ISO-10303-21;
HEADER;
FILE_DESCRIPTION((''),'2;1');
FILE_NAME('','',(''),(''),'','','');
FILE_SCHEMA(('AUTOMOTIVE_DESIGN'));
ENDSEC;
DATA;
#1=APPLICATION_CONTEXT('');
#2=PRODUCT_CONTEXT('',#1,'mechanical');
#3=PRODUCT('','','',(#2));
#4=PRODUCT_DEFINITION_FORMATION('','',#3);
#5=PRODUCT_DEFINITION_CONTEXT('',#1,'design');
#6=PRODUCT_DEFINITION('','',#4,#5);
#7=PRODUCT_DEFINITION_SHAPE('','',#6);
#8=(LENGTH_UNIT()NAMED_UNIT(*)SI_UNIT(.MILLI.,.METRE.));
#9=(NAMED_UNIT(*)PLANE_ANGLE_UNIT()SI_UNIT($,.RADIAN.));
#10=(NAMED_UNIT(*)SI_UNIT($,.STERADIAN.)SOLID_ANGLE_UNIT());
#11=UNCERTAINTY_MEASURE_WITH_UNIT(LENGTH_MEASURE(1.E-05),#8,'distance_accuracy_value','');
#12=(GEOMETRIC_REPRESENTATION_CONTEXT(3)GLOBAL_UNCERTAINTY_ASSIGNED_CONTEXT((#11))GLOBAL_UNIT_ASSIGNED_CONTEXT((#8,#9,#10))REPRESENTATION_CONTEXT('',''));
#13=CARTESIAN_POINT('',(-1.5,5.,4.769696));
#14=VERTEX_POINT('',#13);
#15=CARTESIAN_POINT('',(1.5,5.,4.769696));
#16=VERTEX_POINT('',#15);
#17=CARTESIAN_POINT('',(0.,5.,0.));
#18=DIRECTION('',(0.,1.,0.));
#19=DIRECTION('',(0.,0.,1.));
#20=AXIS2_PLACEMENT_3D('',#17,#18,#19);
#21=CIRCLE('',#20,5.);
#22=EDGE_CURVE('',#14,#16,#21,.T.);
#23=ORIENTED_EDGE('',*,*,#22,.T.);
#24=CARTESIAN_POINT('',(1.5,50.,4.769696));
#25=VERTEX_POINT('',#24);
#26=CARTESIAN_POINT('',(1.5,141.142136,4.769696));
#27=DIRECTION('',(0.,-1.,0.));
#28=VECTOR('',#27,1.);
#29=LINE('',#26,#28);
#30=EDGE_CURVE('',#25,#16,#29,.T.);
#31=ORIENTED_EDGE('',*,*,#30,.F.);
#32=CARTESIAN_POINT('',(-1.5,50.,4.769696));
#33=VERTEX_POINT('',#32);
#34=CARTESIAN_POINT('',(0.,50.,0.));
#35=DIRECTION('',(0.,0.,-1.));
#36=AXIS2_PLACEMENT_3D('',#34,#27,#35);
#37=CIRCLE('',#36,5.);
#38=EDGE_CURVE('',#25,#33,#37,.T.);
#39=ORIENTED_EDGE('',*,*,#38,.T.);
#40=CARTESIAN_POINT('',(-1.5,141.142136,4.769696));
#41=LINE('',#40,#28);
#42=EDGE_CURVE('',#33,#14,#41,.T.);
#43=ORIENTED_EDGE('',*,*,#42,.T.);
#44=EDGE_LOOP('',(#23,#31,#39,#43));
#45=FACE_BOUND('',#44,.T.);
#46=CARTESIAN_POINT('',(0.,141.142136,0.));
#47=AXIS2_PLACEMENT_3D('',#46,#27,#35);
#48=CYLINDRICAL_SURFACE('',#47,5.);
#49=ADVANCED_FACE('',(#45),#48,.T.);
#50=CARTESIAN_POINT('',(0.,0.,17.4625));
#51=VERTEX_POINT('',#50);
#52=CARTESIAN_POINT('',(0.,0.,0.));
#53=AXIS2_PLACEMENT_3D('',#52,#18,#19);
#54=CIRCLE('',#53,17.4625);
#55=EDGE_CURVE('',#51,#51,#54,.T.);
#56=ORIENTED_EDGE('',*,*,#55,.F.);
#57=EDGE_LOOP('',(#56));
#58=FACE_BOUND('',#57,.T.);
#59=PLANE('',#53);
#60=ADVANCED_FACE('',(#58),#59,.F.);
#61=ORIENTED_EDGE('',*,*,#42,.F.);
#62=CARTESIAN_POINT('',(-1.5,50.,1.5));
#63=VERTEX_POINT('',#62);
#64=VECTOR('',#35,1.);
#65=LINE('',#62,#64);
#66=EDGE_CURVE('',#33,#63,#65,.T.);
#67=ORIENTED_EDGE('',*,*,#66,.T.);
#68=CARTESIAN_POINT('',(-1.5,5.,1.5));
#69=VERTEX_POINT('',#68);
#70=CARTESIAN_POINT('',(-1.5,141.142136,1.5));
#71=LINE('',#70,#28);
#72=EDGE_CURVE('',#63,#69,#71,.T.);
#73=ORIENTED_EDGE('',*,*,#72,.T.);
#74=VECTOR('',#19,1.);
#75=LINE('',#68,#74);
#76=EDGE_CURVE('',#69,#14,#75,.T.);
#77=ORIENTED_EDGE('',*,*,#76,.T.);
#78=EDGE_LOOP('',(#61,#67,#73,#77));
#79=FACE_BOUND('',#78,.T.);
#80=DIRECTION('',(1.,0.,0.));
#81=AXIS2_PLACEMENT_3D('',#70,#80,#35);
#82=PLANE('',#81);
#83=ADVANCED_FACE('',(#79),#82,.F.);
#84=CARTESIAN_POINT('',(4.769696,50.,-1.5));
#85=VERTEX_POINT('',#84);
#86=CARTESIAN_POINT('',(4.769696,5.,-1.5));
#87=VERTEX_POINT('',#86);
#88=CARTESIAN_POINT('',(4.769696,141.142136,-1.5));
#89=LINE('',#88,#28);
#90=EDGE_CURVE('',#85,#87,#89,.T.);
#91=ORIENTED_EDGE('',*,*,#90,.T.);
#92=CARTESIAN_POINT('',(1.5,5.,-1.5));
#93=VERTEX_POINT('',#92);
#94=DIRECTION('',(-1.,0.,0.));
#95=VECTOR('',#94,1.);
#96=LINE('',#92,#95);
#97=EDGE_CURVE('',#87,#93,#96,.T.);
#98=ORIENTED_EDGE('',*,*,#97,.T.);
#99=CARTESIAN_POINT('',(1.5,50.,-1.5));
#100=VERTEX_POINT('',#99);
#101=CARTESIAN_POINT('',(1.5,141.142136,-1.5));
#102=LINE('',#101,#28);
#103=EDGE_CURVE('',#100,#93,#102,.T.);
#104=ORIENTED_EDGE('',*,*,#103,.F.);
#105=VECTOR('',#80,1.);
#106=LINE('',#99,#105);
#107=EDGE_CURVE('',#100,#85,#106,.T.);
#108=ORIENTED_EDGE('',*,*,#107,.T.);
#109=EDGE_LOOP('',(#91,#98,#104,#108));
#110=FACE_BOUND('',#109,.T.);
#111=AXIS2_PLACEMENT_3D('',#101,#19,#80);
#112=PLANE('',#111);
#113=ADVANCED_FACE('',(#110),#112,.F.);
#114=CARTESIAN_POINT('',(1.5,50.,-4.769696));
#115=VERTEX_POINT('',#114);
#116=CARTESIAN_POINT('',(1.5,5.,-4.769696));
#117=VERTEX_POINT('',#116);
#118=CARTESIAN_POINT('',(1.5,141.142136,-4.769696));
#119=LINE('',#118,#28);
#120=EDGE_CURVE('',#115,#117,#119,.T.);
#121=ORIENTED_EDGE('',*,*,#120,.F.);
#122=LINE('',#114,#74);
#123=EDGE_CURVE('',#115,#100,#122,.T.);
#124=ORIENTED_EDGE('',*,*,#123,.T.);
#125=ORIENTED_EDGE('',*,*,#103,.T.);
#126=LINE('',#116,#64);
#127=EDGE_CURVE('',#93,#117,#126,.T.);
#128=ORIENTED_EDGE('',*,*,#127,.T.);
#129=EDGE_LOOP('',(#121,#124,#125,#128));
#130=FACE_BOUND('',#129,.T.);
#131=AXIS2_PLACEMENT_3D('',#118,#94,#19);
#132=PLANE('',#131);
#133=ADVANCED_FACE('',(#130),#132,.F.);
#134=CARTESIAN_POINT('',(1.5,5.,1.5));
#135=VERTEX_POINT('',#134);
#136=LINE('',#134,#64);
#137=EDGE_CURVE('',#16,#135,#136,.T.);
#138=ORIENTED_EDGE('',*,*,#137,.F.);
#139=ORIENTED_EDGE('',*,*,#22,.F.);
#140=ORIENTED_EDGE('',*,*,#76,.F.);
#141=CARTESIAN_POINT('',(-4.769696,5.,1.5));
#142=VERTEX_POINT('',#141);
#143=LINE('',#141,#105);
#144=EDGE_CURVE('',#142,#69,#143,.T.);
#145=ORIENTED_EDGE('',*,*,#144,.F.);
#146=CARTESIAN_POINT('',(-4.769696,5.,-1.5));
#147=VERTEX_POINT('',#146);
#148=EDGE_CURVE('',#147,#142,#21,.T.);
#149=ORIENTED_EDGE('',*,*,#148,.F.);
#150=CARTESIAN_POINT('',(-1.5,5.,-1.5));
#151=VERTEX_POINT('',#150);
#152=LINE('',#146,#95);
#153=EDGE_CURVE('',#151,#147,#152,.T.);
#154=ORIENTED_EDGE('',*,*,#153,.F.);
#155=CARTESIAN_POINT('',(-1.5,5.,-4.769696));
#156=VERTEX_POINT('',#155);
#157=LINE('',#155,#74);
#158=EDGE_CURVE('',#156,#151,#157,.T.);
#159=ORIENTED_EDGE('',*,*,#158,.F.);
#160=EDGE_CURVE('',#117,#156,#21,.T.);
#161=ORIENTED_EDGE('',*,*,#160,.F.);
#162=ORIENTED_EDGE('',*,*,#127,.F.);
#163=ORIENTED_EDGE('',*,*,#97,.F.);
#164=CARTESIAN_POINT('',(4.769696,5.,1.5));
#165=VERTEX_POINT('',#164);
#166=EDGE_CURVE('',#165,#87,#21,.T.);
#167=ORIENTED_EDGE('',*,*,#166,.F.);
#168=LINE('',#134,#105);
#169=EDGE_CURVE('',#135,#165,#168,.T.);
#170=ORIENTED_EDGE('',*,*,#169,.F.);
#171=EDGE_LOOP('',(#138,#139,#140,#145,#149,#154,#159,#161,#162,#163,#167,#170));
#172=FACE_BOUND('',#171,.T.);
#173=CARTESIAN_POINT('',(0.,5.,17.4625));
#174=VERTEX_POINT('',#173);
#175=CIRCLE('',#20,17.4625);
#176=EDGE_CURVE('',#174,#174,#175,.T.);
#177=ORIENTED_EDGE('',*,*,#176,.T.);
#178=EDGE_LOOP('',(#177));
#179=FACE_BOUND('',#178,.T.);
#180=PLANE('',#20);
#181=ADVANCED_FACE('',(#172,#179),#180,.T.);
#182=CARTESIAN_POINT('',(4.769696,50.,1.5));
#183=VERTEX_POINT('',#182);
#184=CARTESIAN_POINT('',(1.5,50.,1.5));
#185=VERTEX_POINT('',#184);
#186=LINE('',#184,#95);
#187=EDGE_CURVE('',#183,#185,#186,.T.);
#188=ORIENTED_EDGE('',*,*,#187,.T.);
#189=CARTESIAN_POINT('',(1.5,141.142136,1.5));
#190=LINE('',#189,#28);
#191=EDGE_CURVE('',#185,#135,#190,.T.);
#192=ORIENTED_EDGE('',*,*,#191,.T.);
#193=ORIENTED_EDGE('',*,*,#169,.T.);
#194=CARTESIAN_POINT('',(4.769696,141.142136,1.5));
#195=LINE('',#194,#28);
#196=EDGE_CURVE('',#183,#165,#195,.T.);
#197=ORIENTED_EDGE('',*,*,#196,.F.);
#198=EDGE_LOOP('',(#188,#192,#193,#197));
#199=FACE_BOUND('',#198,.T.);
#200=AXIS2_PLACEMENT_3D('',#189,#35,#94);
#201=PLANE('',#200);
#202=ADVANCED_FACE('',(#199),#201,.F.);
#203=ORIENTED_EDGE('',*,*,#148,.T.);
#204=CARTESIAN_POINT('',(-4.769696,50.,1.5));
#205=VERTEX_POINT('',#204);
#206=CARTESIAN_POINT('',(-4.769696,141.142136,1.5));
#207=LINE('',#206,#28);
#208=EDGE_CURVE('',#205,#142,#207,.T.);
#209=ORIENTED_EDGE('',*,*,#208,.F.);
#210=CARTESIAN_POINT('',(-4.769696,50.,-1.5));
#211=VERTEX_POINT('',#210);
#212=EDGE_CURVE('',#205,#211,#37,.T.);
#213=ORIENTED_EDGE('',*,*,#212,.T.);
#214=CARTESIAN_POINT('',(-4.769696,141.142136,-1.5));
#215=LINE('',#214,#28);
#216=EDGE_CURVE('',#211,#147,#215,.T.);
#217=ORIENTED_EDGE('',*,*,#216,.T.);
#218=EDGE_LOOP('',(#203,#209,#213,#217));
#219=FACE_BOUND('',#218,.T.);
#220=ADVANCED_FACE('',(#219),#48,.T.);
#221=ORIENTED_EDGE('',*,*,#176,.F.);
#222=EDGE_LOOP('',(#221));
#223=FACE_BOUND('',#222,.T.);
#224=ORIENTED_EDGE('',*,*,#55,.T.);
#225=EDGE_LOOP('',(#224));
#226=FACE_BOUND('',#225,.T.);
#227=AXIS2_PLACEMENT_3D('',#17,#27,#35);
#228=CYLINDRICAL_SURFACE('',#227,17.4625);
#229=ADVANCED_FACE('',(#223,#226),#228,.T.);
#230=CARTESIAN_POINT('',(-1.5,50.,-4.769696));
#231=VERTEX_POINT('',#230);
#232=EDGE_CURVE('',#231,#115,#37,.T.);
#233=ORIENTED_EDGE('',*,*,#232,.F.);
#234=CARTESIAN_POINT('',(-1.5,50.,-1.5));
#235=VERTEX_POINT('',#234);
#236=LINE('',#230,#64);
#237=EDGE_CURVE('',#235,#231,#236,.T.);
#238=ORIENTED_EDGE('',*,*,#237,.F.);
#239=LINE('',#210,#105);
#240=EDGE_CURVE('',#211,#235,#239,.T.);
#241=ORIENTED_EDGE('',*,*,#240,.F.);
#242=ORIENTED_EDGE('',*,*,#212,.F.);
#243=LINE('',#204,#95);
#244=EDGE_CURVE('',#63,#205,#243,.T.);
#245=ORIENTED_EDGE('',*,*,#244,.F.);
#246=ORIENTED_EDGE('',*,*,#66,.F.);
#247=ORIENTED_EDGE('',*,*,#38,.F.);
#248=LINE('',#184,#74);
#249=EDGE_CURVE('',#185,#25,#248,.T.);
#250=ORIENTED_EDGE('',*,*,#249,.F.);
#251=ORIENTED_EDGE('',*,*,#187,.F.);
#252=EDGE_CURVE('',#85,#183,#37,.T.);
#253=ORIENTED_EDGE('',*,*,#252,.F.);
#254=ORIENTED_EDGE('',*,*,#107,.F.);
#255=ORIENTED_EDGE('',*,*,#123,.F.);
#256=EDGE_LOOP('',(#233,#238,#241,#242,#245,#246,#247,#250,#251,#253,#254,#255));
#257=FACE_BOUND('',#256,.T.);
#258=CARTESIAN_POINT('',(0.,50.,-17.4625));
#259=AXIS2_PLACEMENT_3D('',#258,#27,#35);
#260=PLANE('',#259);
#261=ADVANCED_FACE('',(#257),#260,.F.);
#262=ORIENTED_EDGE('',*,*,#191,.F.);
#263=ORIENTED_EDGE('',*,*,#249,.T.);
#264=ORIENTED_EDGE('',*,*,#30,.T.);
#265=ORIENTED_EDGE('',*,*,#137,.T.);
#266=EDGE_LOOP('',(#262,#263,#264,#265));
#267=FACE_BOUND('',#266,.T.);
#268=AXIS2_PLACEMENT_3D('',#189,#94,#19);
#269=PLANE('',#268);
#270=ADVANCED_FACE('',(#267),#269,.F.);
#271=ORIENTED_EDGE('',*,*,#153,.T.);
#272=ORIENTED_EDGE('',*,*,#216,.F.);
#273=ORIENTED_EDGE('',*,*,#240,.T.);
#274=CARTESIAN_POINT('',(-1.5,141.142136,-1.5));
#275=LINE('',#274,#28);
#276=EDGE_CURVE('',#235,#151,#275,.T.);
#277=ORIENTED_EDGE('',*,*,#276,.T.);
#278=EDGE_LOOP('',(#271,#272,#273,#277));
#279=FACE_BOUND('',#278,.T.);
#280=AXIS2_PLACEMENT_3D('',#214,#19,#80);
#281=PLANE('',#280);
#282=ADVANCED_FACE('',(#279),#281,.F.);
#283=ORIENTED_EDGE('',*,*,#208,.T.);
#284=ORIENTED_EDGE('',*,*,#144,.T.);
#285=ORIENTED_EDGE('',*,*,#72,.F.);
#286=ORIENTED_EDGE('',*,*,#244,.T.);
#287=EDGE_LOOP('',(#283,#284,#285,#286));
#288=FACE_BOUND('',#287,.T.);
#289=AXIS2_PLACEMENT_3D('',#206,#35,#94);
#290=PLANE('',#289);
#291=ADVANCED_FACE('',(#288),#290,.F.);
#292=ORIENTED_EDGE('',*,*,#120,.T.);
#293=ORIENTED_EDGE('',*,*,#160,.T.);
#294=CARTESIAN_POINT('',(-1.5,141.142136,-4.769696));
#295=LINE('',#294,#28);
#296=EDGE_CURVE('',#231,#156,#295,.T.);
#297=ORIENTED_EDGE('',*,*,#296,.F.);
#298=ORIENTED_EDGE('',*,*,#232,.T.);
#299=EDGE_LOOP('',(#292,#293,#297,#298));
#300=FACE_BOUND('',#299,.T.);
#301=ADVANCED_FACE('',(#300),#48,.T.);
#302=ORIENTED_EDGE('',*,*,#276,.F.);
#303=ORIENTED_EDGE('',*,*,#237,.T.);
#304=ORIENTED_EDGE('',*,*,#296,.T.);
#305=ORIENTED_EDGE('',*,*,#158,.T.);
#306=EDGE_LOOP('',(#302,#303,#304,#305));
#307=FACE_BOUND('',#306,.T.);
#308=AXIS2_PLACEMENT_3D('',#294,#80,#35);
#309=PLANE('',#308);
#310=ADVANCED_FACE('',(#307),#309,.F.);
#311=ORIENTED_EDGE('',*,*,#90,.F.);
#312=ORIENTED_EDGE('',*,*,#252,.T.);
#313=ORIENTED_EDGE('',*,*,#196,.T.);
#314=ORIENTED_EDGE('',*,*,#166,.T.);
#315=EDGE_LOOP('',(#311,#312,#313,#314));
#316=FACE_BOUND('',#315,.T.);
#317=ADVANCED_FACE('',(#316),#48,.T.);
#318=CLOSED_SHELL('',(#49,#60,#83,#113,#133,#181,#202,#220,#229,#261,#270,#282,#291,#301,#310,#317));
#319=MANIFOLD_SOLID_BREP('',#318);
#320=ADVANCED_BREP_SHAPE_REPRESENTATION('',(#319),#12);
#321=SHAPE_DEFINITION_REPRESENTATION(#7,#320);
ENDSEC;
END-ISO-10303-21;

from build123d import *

# Parameters (mm, degrees)
SKETCH1_R               = 17.4625
BOSS_EXTRUDE1_DEPTH     = 5
BOSS_EXTRUDE2_START     = 127
SKETCH1_2_R             = 17.4625
BOSS_EXTRUDE2_DEPTH     = 5
BOSS_EXTRUDE3_DEPTH     = 122
SKETCH3_W               = 34.925
SKETCH3_H               = 82
CUT_EXTRUDE1_DEPTH      = 18.4625
CUT_EXTRUDE1_DEPTH_BACK = 18.4625


with BuildPart() as part:
    # Sketch1 → Boss-Extrude1 (new body)
    with BuildSketch(Plane(origin=(0, 0, 0), x_dir=(1, 0, 0), z_dir=(0, 1, 0))):
        Circle(SKETCH1_R)
    extrude(amount=BOSS_EXTRUDE1_DEPTH)



with BuildPart() as body_2:
    # Sketch1<2> → Boss-Extrude2 (new body)
    with BuildSketch(Plane(origin=(0, 0, 0), x_dir=(1, 0, 0), z_dir=(0, 1, 0)).offset(BOSS_EXTRUDE2_START)):
        Circle(SKETCH1_2_R)
    extrude(amount=BOSS_EXTRUDE2_DEPTH)


with BuildPart() as part_1:
    add(part.part)

    add(body_2.part)  # Boss-Extrude3 merges body 2
    # Sketch2 → Boss-Extrude3 (add)
    with BuildSketch(Plane(origin=(0, 5, 0), x_dir=(1, 0, 0), z_dir=(0, 1, 0))):
        with BuildLine():
            Line((-4.769696007, -1.5), (-1.5, -1.5))
            Line((-1.5, -1.5), (-1.5, -4.769696007))
            ThreePointArc((-1.5, -4.769696007), (0, -5), (1.5, -4.769696007))
            Line((1.5, -4.769696007), (1.5, -1.5))
            Line((1.5, -1.5), (4.769696007, -1.5))
            ThreePointArc((4.769696007, -1.5), (5, 0), (4.769696007, 1.5))
            Line((4.769696007, 1.5), (1.5, 1.5))
            Line((1.5, 1.5), (1.5, 4.769696007))
            ThreePointArc((1.5, 4.769696007), (0, 5), (-1.5, 4.769696007))
            Line((-1.5, 4.769696007), (-1.5, 1.5))
            Line((-1.5, 1.5), (-4.769696007, 1.5))
            ThreePointArc((-4.769696007, 1.5), (-5, 0), (-4.769696007, -1.5))
        make_face()
    extrude(amount=BOSS_EXTRUDE3_DEPTH)

    # Sketch3 → Cut-Extrude1 (cut, two sides)
    with BuildSketch(Plane.XY) as cut_extrude1_sk:
        with Locations((0, 91)):
            Rectangle(SKETCH3_W, SKETCH3_H)
    extrude(amount=CUT_EXTRUDE1_DEPTH, mode=Mode.SUBTRACT)
    extrude(cut_extrude1_sk.sketch, amount=-CUT_EXTRUDE1_DEPTH_BACK, mode=Mode.SUBTRACT)


solid = part_1.part
